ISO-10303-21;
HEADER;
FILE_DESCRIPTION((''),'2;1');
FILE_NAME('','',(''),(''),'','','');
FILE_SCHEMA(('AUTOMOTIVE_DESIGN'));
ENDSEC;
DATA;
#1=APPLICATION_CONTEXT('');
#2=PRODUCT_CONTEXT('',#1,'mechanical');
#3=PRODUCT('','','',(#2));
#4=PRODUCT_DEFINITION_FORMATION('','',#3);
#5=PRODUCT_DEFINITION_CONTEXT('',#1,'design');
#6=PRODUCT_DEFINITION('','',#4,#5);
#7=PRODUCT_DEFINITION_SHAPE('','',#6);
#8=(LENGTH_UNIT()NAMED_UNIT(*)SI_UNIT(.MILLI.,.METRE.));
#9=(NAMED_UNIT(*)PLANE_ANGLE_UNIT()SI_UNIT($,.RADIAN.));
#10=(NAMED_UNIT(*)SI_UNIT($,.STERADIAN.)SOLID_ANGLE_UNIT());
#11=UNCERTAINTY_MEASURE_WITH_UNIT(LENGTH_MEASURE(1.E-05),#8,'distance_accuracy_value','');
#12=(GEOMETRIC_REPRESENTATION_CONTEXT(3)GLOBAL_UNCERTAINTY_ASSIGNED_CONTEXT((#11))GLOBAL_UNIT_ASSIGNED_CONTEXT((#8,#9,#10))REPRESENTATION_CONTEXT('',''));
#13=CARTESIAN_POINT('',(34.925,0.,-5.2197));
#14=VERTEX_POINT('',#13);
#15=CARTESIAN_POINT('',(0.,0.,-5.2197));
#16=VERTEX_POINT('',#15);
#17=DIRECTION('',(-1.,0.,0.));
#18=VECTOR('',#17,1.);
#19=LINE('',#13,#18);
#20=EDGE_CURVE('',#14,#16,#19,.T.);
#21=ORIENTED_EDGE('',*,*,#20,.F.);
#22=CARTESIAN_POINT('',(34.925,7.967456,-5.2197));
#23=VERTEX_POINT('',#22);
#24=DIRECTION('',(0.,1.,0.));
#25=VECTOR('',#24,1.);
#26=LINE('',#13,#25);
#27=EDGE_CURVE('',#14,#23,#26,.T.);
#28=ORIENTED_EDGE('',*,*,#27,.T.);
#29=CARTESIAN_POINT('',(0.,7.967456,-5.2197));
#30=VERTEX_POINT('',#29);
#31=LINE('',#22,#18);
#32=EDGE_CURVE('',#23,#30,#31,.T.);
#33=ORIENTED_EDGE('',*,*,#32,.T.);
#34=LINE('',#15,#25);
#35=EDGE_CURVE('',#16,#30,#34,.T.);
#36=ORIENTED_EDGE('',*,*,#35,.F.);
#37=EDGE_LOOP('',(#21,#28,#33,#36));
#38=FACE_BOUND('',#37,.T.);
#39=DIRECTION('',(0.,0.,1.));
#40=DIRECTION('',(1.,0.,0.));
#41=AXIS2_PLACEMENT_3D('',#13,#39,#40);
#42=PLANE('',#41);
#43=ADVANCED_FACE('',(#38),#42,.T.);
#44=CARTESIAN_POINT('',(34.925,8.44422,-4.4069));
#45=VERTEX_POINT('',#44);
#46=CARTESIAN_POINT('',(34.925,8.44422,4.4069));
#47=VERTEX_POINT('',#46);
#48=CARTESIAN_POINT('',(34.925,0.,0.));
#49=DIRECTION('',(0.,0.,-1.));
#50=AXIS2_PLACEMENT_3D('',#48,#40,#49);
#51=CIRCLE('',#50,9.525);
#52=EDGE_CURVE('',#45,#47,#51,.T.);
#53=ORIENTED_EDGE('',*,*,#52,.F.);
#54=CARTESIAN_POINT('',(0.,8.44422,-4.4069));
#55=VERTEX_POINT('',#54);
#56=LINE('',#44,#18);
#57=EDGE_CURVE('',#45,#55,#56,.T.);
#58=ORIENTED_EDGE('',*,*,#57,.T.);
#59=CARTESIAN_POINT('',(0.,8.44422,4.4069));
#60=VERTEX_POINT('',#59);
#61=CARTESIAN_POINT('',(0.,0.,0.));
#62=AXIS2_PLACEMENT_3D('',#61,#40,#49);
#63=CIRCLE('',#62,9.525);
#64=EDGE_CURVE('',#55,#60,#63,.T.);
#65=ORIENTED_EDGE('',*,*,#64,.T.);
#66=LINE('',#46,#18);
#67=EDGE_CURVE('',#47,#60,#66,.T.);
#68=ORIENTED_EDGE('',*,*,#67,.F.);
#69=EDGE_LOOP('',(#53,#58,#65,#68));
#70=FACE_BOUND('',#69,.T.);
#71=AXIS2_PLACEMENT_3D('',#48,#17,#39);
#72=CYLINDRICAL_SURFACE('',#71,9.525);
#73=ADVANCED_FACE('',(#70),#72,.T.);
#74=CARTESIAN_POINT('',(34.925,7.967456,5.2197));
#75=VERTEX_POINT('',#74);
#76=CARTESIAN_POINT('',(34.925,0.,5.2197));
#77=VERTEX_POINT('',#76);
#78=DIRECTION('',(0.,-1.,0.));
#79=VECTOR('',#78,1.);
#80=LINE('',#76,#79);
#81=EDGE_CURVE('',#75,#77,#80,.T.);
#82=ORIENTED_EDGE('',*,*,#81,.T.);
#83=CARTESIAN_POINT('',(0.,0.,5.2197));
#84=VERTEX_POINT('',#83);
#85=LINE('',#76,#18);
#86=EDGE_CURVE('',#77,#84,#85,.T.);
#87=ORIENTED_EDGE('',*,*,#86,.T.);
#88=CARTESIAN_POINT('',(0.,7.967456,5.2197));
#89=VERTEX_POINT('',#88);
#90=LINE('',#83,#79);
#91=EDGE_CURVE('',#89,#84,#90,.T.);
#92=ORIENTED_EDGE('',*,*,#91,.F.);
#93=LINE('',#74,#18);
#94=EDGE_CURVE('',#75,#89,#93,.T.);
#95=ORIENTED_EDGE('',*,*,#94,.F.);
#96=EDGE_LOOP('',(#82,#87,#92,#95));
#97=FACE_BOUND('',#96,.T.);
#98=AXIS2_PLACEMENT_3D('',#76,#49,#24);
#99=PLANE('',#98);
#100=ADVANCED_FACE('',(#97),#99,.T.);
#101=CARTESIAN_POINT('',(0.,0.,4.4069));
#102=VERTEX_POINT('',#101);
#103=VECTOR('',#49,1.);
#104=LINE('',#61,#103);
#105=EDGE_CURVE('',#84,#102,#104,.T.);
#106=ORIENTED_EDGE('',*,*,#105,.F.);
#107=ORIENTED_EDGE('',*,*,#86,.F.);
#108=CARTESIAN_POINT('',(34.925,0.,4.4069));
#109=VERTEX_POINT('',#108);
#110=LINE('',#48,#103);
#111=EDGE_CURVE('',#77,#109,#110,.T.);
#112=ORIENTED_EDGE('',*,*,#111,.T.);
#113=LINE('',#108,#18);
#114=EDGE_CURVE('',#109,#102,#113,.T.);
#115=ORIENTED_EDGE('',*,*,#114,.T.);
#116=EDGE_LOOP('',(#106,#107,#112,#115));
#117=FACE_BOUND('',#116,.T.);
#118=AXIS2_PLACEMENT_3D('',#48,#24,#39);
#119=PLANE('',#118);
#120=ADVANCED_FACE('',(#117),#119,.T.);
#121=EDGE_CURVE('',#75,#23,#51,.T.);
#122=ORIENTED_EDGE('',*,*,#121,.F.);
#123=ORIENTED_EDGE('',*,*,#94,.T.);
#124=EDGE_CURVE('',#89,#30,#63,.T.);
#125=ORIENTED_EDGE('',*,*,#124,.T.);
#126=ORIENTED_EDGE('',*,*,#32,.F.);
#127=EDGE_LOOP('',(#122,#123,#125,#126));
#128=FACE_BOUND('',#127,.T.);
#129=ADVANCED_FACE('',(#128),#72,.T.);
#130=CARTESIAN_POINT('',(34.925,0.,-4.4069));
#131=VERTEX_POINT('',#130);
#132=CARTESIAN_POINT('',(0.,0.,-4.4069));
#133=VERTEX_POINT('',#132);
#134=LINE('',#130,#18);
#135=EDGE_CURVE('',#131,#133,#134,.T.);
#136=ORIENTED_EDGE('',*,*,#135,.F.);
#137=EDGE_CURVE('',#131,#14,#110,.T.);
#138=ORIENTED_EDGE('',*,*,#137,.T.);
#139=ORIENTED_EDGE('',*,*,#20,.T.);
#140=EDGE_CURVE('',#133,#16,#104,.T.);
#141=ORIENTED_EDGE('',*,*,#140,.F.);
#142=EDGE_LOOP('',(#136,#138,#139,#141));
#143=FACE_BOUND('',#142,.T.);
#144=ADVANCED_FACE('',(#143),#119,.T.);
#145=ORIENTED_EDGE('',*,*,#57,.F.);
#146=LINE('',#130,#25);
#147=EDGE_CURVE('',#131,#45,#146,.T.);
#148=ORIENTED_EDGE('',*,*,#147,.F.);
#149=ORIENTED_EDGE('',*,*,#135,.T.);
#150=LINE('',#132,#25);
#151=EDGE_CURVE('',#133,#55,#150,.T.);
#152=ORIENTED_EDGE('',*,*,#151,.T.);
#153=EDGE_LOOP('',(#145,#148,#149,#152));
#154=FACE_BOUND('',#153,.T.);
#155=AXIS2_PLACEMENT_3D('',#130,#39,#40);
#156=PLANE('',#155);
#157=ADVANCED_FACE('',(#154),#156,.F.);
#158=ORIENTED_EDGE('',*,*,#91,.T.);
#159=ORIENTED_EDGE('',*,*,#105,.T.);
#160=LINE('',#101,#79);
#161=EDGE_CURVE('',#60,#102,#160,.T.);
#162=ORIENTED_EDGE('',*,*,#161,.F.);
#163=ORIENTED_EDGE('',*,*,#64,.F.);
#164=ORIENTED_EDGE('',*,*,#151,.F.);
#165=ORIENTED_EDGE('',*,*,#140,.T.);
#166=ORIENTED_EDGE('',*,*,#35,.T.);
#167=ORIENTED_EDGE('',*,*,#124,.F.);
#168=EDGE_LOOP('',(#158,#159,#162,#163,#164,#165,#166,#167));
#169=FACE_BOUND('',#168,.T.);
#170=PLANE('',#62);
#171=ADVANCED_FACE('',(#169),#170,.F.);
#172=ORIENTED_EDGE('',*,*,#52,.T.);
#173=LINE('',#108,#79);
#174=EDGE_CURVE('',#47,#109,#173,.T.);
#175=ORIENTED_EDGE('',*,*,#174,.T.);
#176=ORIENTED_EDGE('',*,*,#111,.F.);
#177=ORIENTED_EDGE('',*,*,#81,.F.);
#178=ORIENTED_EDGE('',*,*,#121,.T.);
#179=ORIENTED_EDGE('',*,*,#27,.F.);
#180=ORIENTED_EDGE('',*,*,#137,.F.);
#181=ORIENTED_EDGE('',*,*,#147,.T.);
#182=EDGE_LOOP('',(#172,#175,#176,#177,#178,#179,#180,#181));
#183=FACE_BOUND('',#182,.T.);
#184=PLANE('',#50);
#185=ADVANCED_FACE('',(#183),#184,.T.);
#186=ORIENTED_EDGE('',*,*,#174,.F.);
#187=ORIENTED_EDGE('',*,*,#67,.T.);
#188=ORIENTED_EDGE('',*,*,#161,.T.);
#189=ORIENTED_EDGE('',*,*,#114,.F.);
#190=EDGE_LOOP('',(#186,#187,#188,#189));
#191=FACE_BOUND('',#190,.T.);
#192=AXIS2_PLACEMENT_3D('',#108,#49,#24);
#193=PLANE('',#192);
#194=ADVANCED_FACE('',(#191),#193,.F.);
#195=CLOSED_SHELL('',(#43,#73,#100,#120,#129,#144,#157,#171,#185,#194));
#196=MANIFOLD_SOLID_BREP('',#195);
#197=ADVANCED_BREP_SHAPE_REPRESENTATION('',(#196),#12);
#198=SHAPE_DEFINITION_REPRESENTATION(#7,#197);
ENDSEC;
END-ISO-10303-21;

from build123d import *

# Parameters (mm, degrees)
BOSS_EXTRUDE1_DEPTH = 34.925


with BuildPart() as part:
    # Sketch1 → Boss-Extrude1 (new body)
    with BuildSketch(Plane(origin=(0, 0, 0), x_dir=(0, 0, -1), z_dir=(1, 0, 0))):
        with BuildLine():
            Line((-4.4069, 8.444220354), (-4.4069, 0))
            Line((-4.4069, 0), (4.4069, 0))
            Line((4.4069, 0), (4.4069, 8.444220354))
            ThreePointArc((4.4069, 8.444220354), (0, 9.525), (-4.4069, 8.444220354))
        make_face()
        with BuildLine():
            Line((4.4069, 0), (-4.4069, 0))
            Line((-4.4069, 0), (-5.2197, 0))
            Line((-5.2197, 0), (-5.2197, 7.967456113))
            ThreePointArc((-5.2197, 7.967456113), (-4.528133307, -8.379834948), (9.525, 0))
            ThreePointArc((9.525, 0), (8.379834948, 4.528133307), (5.2197, 7.967456113))
            Line((5.2197, 7.967456113), (5.2197, 0))
            Line((5.2197, 0), (4.4069, 0))
        make_face()
    extrude(amount=BOSS_EXTRUDE1_DEPTH)


solid = part.part
